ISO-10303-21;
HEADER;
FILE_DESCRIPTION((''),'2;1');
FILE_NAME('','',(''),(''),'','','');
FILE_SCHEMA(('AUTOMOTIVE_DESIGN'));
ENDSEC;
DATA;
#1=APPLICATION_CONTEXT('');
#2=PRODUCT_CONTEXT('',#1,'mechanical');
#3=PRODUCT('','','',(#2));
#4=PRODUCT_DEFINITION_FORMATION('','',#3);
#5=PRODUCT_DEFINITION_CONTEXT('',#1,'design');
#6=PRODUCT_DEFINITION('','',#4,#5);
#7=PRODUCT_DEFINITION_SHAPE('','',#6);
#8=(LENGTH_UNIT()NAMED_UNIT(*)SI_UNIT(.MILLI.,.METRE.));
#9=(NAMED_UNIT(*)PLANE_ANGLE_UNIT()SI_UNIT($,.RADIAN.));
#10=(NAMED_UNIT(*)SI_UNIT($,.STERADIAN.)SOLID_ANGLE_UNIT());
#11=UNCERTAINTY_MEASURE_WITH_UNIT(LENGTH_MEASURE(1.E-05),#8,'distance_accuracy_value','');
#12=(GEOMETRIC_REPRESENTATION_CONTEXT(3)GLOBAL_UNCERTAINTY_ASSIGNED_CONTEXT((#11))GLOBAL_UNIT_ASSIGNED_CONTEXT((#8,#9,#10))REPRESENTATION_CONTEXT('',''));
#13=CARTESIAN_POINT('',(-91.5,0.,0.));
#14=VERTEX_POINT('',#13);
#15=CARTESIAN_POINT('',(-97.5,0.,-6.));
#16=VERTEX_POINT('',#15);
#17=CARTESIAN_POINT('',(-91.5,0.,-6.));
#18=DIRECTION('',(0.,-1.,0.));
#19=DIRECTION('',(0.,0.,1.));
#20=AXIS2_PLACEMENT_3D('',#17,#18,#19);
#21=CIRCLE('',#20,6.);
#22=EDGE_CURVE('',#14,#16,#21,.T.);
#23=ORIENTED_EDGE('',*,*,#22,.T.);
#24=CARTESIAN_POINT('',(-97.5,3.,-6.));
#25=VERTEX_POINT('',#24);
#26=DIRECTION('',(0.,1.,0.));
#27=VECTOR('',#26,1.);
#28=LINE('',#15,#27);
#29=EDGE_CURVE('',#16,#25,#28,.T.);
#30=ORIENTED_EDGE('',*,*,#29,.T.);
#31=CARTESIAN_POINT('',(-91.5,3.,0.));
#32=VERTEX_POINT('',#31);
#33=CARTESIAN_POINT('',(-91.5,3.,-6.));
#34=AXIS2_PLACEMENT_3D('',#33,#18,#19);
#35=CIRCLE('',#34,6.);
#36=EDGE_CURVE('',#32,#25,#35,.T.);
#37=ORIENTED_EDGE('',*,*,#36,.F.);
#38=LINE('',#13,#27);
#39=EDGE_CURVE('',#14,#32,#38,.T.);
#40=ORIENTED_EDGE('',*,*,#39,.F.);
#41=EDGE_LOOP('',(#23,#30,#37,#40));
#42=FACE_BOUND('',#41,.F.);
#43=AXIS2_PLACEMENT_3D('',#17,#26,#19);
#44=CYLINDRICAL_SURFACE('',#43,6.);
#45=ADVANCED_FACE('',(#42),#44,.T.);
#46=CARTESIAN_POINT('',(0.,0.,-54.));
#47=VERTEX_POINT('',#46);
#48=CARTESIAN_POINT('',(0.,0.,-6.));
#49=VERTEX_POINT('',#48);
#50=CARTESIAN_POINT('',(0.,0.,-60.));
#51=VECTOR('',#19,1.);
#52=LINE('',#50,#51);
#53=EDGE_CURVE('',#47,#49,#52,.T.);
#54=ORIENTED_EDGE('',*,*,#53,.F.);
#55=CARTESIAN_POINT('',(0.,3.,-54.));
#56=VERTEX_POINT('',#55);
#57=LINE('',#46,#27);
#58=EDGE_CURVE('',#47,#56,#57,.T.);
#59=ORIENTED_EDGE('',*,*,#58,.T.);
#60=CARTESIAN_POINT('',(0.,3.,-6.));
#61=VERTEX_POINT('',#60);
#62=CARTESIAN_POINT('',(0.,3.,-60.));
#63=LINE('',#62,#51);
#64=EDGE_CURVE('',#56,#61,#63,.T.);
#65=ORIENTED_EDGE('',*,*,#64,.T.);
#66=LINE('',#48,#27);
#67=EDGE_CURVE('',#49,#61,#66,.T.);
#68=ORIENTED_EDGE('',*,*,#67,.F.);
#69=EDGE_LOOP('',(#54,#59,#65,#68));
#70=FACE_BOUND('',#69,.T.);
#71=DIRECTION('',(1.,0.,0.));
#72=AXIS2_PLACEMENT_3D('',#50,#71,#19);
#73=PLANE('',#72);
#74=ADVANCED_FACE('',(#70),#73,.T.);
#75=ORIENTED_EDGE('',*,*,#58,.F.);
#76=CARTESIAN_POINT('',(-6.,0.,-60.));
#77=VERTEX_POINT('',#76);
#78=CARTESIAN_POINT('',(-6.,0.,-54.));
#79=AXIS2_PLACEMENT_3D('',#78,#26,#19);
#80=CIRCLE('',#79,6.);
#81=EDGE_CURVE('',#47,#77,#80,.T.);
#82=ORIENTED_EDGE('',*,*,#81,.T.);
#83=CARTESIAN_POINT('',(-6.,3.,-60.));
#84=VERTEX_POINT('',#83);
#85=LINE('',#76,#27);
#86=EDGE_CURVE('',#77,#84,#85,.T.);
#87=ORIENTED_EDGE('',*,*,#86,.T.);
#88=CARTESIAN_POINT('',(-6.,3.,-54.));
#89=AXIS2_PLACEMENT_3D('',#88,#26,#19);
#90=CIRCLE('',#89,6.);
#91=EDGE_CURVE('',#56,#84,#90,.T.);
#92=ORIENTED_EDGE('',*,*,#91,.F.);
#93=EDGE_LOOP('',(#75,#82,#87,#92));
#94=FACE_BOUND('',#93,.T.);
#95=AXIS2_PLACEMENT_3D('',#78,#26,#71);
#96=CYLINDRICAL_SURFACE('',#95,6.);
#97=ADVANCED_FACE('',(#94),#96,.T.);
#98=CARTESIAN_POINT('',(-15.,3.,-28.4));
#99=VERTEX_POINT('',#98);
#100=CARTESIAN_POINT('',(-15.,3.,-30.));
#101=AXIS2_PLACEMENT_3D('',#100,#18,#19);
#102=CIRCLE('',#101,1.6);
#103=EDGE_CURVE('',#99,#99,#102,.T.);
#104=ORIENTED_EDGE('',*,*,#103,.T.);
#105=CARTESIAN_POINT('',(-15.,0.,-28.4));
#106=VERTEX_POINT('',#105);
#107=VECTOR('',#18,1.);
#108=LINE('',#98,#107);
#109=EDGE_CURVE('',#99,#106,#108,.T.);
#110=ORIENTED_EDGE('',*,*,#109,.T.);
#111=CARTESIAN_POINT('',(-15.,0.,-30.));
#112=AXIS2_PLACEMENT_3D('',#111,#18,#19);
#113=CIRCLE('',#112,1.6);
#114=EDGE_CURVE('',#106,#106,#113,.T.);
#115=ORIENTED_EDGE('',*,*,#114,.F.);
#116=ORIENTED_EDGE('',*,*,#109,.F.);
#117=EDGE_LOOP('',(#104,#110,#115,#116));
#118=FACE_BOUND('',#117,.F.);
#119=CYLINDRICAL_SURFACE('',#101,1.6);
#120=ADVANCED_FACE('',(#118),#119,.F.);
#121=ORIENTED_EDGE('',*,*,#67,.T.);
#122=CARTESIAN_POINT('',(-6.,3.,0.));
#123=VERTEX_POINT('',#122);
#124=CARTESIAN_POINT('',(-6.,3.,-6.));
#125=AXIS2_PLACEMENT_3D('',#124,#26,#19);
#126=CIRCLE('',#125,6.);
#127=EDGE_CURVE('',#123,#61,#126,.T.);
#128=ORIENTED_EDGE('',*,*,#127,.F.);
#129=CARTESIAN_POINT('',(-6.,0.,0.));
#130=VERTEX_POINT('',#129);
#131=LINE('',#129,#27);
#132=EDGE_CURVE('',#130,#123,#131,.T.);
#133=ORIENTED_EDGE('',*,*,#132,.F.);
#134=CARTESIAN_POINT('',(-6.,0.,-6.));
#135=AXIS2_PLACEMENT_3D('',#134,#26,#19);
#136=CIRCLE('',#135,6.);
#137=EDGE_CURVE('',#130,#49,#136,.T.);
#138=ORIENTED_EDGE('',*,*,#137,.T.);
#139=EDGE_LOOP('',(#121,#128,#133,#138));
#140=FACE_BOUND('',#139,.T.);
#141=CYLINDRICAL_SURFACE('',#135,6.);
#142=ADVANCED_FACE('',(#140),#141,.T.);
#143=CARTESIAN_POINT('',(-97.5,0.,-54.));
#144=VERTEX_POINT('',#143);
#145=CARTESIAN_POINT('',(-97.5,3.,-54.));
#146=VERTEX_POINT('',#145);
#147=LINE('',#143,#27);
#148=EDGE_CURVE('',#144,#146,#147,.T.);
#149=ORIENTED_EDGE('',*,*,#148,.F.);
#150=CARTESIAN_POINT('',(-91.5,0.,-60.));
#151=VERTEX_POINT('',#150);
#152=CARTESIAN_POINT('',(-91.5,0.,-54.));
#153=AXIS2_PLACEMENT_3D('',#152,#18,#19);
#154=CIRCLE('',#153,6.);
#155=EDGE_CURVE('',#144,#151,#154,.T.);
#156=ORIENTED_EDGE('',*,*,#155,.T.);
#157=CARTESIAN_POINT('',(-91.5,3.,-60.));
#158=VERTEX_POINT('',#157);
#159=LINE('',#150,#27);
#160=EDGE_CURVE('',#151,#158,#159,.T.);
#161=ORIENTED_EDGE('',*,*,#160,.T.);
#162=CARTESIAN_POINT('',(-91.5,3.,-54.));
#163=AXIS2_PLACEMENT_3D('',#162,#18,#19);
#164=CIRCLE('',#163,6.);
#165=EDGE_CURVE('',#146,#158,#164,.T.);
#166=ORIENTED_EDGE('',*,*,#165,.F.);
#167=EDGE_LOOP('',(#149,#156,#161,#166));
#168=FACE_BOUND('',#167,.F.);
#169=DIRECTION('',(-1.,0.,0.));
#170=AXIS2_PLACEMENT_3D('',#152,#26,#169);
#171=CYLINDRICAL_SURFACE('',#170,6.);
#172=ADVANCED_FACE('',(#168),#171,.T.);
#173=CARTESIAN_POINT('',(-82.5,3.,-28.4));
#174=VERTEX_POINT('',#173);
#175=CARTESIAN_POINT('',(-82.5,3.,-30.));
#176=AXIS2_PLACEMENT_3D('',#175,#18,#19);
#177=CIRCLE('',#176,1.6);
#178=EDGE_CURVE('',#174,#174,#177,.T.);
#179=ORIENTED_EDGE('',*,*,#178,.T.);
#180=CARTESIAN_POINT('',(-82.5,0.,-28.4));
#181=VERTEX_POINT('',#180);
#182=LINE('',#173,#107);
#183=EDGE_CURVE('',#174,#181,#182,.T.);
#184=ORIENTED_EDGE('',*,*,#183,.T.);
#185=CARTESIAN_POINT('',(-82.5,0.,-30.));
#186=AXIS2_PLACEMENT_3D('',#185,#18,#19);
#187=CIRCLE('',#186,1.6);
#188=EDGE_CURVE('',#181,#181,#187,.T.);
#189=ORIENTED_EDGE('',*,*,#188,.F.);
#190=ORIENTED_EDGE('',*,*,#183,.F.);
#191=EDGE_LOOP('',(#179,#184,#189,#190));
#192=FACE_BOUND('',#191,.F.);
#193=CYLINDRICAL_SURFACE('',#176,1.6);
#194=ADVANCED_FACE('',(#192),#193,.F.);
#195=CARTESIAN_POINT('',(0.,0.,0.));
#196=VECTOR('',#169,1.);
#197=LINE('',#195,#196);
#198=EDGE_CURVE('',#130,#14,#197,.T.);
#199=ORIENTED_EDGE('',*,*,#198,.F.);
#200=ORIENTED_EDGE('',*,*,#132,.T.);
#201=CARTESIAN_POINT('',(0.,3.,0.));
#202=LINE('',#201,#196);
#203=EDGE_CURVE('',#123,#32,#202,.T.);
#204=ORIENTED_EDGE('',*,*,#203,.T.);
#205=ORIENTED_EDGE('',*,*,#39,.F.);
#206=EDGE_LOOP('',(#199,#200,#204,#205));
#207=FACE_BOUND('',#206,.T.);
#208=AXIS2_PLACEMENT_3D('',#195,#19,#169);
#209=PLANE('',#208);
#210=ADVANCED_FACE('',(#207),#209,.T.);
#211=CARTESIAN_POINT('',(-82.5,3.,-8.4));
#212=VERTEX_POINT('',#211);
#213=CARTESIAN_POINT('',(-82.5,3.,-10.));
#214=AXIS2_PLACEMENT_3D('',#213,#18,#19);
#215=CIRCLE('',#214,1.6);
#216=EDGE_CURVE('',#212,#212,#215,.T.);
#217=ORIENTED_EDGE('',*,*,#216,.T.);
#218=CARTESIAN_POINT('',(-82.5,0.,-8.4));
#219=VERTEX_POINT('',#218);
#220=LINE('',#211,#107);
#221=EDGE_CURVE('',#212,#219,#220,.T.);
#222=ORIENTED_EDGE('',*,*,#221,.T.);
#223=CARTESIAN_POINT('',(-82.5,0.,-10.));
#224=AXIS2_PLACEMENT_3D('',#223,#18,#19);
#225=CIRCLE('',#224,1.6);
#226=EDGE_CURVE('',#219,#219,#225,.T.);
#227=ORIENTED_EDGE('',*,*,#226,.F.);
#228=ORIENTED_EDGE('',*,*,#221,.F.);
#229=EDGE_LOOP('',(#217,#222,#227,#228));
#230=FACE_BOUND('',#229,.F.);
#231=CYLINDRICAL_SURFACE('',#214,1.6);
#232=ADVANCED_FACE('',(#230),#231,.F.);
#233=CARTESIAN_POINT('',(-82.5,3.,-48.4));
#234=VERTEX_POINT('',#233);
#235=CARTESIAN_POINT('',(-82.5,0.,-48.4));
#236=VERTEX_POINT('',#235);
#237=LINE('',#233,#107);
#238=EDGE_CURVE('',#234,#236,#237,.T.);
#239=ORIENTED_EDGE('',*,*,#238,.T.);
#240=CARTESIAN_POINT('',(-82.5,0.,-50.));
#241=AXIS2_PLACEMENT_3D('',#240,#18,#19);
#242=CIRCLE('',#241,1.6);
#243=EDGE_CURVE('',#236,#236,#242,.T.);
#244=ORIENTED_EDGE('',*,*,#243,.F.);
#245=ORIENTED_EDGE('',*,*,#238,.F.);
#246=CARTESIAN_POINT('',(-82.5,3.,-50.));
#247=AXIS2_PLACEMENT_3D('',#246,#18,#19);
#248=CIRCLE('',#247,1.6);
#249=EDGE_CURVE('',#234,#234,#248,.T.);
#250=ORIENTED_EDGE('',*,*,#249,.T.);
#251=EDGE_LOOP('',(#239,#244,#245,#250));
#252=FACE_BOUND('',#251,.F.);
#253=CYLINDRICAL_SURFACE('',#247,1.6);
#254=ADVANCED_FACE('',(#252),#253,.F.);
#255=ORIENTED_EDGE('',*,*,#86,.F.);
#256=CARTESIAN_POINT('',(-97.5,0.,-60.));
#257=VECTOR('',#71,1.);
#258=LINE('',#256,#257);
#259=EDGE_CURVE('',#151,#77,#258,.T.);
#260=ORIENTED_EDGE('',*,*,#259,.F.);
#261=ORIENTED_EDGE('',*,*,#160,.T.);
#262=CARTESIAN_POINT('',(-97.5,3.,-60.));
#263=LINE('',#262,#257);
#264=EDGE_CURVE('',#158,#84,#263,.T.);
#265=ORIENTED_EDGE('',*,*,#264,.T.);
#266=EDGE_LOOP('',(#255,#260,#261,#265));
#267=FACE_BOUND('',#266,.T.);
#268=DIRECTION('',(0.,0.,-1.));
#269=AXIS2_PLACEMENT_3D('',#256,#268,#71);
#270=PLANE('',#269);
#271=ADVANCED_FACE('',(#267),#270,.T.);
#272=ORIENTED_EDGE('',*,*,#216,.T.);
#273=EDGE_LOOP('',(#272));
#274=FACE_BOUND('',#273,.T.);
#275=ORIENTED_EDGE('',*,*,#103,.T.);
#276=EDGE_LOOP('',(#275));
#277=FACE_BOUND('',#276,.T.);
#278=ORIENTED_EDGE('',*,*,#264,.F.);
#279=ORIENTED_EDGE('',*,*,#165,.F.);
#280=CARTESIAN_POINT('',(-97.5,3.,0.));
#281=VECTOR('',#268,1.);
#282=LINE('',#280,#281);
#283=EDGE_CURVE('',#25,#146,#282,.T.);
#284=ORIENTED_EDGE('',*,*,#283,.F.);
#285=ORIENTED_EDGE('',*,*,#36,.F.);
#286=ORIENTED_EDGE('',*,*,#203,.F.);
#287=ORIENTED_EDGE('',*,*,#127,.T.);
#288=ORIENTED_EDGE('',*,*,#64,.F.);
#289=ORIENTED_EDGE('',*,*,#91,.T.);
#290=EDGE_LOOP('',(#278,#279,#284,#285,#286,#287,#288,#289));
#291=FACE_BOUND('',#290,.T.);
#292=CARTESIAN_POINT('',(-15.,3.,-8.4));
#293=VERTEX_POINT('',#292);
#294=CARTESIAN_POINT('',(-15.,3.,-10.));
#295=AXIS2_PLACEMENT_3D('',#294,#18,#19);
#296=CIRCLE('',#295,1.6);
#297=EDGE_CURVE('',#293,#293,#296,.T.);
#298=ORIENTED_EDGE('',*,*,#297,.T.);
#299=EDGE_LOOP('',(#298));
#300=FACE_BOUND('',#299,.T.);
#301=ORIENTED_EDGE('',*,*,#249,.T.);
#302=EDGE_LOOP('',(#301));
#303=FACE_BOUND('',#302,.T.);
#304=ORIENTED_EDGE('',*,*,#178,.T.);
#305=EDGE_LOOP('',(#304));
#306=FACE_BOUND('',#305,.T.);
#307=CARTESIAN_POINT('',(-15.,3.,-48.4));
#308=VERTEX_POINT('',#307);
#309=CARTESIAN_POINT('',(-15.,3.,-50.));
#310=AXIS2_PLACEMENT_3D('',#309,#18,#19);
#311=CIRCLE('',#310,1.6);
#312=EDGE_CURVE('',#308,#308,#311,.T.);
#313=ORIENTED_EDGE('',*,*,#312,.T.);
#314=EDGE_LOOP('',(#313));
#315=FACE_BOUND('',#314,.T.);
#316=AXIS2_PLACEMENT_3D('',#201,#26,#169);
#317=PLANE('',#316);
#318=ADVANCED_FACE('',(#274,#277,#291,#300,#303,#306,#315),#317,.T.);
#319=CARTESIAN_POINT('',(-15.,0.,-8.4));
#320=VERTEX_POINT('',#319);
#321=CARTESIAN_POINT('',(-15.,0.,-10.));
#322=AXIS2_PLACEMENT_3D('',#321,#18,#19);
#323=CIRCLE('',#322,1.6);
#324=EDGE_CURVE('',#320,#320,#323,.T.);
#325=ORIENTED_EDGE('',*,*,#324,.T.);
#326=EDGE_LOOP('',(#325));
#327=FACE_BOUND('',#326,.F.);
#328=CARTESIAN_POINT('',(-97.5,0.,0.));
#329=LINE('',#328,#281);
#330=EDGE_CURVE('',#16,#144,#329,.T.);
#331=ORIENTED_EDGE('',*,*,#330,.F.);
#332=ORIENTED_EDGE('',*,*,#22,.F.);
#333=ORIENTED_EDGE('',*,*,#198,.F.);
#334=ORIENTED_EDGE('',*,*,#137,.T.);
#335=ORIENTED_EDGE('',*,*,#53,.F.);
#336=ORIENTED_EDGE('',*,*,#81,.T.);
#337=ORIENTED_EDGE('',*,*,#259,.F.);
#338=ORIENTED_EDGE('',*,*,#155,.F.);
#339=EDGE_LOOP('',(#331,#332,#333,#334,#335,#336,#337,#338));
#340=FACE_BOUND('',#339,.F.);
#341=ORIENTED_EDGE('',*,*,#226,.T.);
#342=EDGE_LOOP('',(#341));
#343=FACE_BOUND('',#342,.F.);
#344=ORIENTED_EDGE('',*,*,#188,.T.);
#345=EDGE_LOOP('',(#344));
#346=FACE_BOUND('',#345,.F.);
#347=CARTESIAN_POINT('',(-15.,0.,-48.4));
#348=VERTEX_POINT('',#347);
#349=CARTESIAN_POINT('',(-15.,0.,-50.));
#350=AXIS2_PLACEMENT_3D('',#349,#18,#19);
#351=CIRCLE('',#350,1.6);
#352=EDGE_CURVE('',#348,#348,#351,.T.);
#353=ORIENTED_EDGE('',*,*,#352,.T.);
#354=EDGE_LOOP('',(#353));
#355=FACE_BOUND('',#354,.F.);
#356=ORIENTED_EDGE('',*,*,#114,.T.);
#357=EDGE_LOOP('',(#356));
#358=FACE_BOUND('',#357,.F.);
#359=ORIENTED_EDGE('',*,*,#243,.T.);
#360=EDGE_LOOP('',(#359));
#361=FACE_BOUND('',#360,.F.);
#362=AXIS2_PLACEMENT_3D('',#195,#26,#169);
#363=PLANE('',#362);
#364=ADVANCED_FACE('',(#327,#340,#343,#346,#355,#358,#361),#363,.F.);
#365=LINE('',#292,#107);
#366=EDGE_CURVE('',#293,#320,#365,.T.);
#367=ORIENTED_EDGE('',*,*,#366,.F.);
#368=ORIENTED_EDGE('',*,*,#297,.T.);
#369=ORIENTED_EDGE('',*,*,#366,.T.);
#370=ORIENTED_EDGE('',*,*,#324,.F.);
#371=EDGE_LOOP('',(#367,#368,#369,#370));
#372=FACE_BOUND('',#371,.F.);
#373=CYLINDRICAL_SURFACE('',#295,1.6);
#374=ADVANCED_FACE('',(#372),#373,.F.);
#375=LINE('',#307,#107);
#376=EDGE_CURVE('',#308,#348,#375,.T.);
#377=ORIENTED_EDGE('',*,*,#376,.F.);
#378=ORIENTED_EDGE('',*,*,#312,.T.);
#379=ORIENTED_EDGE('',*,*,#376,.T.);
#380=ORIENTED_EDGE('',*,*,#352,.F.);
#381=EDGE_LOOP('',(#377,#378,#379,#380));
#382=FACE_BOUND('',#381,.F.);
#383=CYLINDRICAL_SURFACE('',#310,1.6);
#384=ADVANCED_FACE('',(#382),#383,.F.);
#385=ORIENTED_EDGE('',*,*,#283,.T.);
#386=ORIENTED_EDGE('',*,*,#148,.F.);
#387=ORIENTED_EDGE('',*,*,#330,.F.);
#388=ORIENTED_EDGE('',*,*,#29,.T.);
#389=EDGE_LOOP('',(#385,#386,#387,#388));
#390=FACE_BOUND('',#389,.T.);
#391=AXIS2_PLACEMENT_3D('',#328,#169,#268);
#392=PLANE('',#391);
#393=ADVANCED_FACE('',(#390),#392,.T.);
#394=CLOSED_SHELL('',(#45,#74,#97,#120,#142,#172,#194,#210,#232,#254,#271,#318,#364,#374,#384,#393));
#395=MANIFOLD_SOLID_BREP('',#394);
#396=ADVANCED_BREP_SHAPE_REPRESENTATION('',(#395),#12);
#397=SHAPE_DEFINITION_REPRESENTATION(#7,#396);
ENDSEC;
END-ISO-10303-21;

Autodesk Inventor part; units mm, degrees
ref_plane "YZ Plane" through (0, 0, 0) normal (1, 0, 0) x (0, 1, 0)
ref_plane "XZ Plane" through (0, 0, 0) normal (0, 1, 0) x (-1, 0, 0)
ref_plane "XY Plane" through (0, 0, 0) normal (0, 0, 1) x (1, 0, 0)
sketch "スケッチ1" plane through (0, 0, 0) normal (0, 1, 0) x (-1, 0, 0)
  line L0 (0, 0) -> (97.5, 0)
  line L1 (97.5, 0) -> (97.5, -60)
  line L2 (97.5, -60) -> (0, -60)
  line L3 (0, -60) -> (0, 0)
  dimension "d0" = 97.5
  dimension "d1" = 60
extrude "押し出し1" add sketch "スケッチ1" along normal blind 3
sketch "スケッチ2" plane through (0, 3, 0) normal (0, 1, 0) x (1, 0, 0)
  line L0 (0, 0) -> (0, 60) projected
  line L1 (-97.5, 0) -> (0, 0) projected
  line L2 (-97.5, 60) -> (-97.5, 0) projected
  point P0 (-15, 30)
  point P1 (-15, 10)
  point P2 (-15, 50)
  point P3 (-82.5, 30)
  point P4 (-82.5, 10)
  point P5 (-82.5, 50)
  dimension "d4" = 15
  dimension "d5" = 30
  dimension "d6" = 20
  dimension "d7" = 20
  dimension "d8" = 15
  dimension "d9" = 15
  dimension "d10" = 15
  dimension "d11" = 15
  dimension "d12" = 15
  dimension "d13" = 20
  dimension "d14" = 20
  dimension "d15" = 30
hole "穴1" at (-15, 3, -30) at (-15, 3, -10) at (-15, 3, -50) at (-82.5, 3, -30) at (-82.5, 3, -10) at (-82.5, 3, -50) direction (0, -1, 0) diameter 3.2 end through all
fillet "フィレット1" radius 6 4 edges at (-97.5, 1.5, 0) (0, 1.5, 0) (-97.5, 1.5, -60) (0, 1.5, -60)
properties part number "足回り_固定"
